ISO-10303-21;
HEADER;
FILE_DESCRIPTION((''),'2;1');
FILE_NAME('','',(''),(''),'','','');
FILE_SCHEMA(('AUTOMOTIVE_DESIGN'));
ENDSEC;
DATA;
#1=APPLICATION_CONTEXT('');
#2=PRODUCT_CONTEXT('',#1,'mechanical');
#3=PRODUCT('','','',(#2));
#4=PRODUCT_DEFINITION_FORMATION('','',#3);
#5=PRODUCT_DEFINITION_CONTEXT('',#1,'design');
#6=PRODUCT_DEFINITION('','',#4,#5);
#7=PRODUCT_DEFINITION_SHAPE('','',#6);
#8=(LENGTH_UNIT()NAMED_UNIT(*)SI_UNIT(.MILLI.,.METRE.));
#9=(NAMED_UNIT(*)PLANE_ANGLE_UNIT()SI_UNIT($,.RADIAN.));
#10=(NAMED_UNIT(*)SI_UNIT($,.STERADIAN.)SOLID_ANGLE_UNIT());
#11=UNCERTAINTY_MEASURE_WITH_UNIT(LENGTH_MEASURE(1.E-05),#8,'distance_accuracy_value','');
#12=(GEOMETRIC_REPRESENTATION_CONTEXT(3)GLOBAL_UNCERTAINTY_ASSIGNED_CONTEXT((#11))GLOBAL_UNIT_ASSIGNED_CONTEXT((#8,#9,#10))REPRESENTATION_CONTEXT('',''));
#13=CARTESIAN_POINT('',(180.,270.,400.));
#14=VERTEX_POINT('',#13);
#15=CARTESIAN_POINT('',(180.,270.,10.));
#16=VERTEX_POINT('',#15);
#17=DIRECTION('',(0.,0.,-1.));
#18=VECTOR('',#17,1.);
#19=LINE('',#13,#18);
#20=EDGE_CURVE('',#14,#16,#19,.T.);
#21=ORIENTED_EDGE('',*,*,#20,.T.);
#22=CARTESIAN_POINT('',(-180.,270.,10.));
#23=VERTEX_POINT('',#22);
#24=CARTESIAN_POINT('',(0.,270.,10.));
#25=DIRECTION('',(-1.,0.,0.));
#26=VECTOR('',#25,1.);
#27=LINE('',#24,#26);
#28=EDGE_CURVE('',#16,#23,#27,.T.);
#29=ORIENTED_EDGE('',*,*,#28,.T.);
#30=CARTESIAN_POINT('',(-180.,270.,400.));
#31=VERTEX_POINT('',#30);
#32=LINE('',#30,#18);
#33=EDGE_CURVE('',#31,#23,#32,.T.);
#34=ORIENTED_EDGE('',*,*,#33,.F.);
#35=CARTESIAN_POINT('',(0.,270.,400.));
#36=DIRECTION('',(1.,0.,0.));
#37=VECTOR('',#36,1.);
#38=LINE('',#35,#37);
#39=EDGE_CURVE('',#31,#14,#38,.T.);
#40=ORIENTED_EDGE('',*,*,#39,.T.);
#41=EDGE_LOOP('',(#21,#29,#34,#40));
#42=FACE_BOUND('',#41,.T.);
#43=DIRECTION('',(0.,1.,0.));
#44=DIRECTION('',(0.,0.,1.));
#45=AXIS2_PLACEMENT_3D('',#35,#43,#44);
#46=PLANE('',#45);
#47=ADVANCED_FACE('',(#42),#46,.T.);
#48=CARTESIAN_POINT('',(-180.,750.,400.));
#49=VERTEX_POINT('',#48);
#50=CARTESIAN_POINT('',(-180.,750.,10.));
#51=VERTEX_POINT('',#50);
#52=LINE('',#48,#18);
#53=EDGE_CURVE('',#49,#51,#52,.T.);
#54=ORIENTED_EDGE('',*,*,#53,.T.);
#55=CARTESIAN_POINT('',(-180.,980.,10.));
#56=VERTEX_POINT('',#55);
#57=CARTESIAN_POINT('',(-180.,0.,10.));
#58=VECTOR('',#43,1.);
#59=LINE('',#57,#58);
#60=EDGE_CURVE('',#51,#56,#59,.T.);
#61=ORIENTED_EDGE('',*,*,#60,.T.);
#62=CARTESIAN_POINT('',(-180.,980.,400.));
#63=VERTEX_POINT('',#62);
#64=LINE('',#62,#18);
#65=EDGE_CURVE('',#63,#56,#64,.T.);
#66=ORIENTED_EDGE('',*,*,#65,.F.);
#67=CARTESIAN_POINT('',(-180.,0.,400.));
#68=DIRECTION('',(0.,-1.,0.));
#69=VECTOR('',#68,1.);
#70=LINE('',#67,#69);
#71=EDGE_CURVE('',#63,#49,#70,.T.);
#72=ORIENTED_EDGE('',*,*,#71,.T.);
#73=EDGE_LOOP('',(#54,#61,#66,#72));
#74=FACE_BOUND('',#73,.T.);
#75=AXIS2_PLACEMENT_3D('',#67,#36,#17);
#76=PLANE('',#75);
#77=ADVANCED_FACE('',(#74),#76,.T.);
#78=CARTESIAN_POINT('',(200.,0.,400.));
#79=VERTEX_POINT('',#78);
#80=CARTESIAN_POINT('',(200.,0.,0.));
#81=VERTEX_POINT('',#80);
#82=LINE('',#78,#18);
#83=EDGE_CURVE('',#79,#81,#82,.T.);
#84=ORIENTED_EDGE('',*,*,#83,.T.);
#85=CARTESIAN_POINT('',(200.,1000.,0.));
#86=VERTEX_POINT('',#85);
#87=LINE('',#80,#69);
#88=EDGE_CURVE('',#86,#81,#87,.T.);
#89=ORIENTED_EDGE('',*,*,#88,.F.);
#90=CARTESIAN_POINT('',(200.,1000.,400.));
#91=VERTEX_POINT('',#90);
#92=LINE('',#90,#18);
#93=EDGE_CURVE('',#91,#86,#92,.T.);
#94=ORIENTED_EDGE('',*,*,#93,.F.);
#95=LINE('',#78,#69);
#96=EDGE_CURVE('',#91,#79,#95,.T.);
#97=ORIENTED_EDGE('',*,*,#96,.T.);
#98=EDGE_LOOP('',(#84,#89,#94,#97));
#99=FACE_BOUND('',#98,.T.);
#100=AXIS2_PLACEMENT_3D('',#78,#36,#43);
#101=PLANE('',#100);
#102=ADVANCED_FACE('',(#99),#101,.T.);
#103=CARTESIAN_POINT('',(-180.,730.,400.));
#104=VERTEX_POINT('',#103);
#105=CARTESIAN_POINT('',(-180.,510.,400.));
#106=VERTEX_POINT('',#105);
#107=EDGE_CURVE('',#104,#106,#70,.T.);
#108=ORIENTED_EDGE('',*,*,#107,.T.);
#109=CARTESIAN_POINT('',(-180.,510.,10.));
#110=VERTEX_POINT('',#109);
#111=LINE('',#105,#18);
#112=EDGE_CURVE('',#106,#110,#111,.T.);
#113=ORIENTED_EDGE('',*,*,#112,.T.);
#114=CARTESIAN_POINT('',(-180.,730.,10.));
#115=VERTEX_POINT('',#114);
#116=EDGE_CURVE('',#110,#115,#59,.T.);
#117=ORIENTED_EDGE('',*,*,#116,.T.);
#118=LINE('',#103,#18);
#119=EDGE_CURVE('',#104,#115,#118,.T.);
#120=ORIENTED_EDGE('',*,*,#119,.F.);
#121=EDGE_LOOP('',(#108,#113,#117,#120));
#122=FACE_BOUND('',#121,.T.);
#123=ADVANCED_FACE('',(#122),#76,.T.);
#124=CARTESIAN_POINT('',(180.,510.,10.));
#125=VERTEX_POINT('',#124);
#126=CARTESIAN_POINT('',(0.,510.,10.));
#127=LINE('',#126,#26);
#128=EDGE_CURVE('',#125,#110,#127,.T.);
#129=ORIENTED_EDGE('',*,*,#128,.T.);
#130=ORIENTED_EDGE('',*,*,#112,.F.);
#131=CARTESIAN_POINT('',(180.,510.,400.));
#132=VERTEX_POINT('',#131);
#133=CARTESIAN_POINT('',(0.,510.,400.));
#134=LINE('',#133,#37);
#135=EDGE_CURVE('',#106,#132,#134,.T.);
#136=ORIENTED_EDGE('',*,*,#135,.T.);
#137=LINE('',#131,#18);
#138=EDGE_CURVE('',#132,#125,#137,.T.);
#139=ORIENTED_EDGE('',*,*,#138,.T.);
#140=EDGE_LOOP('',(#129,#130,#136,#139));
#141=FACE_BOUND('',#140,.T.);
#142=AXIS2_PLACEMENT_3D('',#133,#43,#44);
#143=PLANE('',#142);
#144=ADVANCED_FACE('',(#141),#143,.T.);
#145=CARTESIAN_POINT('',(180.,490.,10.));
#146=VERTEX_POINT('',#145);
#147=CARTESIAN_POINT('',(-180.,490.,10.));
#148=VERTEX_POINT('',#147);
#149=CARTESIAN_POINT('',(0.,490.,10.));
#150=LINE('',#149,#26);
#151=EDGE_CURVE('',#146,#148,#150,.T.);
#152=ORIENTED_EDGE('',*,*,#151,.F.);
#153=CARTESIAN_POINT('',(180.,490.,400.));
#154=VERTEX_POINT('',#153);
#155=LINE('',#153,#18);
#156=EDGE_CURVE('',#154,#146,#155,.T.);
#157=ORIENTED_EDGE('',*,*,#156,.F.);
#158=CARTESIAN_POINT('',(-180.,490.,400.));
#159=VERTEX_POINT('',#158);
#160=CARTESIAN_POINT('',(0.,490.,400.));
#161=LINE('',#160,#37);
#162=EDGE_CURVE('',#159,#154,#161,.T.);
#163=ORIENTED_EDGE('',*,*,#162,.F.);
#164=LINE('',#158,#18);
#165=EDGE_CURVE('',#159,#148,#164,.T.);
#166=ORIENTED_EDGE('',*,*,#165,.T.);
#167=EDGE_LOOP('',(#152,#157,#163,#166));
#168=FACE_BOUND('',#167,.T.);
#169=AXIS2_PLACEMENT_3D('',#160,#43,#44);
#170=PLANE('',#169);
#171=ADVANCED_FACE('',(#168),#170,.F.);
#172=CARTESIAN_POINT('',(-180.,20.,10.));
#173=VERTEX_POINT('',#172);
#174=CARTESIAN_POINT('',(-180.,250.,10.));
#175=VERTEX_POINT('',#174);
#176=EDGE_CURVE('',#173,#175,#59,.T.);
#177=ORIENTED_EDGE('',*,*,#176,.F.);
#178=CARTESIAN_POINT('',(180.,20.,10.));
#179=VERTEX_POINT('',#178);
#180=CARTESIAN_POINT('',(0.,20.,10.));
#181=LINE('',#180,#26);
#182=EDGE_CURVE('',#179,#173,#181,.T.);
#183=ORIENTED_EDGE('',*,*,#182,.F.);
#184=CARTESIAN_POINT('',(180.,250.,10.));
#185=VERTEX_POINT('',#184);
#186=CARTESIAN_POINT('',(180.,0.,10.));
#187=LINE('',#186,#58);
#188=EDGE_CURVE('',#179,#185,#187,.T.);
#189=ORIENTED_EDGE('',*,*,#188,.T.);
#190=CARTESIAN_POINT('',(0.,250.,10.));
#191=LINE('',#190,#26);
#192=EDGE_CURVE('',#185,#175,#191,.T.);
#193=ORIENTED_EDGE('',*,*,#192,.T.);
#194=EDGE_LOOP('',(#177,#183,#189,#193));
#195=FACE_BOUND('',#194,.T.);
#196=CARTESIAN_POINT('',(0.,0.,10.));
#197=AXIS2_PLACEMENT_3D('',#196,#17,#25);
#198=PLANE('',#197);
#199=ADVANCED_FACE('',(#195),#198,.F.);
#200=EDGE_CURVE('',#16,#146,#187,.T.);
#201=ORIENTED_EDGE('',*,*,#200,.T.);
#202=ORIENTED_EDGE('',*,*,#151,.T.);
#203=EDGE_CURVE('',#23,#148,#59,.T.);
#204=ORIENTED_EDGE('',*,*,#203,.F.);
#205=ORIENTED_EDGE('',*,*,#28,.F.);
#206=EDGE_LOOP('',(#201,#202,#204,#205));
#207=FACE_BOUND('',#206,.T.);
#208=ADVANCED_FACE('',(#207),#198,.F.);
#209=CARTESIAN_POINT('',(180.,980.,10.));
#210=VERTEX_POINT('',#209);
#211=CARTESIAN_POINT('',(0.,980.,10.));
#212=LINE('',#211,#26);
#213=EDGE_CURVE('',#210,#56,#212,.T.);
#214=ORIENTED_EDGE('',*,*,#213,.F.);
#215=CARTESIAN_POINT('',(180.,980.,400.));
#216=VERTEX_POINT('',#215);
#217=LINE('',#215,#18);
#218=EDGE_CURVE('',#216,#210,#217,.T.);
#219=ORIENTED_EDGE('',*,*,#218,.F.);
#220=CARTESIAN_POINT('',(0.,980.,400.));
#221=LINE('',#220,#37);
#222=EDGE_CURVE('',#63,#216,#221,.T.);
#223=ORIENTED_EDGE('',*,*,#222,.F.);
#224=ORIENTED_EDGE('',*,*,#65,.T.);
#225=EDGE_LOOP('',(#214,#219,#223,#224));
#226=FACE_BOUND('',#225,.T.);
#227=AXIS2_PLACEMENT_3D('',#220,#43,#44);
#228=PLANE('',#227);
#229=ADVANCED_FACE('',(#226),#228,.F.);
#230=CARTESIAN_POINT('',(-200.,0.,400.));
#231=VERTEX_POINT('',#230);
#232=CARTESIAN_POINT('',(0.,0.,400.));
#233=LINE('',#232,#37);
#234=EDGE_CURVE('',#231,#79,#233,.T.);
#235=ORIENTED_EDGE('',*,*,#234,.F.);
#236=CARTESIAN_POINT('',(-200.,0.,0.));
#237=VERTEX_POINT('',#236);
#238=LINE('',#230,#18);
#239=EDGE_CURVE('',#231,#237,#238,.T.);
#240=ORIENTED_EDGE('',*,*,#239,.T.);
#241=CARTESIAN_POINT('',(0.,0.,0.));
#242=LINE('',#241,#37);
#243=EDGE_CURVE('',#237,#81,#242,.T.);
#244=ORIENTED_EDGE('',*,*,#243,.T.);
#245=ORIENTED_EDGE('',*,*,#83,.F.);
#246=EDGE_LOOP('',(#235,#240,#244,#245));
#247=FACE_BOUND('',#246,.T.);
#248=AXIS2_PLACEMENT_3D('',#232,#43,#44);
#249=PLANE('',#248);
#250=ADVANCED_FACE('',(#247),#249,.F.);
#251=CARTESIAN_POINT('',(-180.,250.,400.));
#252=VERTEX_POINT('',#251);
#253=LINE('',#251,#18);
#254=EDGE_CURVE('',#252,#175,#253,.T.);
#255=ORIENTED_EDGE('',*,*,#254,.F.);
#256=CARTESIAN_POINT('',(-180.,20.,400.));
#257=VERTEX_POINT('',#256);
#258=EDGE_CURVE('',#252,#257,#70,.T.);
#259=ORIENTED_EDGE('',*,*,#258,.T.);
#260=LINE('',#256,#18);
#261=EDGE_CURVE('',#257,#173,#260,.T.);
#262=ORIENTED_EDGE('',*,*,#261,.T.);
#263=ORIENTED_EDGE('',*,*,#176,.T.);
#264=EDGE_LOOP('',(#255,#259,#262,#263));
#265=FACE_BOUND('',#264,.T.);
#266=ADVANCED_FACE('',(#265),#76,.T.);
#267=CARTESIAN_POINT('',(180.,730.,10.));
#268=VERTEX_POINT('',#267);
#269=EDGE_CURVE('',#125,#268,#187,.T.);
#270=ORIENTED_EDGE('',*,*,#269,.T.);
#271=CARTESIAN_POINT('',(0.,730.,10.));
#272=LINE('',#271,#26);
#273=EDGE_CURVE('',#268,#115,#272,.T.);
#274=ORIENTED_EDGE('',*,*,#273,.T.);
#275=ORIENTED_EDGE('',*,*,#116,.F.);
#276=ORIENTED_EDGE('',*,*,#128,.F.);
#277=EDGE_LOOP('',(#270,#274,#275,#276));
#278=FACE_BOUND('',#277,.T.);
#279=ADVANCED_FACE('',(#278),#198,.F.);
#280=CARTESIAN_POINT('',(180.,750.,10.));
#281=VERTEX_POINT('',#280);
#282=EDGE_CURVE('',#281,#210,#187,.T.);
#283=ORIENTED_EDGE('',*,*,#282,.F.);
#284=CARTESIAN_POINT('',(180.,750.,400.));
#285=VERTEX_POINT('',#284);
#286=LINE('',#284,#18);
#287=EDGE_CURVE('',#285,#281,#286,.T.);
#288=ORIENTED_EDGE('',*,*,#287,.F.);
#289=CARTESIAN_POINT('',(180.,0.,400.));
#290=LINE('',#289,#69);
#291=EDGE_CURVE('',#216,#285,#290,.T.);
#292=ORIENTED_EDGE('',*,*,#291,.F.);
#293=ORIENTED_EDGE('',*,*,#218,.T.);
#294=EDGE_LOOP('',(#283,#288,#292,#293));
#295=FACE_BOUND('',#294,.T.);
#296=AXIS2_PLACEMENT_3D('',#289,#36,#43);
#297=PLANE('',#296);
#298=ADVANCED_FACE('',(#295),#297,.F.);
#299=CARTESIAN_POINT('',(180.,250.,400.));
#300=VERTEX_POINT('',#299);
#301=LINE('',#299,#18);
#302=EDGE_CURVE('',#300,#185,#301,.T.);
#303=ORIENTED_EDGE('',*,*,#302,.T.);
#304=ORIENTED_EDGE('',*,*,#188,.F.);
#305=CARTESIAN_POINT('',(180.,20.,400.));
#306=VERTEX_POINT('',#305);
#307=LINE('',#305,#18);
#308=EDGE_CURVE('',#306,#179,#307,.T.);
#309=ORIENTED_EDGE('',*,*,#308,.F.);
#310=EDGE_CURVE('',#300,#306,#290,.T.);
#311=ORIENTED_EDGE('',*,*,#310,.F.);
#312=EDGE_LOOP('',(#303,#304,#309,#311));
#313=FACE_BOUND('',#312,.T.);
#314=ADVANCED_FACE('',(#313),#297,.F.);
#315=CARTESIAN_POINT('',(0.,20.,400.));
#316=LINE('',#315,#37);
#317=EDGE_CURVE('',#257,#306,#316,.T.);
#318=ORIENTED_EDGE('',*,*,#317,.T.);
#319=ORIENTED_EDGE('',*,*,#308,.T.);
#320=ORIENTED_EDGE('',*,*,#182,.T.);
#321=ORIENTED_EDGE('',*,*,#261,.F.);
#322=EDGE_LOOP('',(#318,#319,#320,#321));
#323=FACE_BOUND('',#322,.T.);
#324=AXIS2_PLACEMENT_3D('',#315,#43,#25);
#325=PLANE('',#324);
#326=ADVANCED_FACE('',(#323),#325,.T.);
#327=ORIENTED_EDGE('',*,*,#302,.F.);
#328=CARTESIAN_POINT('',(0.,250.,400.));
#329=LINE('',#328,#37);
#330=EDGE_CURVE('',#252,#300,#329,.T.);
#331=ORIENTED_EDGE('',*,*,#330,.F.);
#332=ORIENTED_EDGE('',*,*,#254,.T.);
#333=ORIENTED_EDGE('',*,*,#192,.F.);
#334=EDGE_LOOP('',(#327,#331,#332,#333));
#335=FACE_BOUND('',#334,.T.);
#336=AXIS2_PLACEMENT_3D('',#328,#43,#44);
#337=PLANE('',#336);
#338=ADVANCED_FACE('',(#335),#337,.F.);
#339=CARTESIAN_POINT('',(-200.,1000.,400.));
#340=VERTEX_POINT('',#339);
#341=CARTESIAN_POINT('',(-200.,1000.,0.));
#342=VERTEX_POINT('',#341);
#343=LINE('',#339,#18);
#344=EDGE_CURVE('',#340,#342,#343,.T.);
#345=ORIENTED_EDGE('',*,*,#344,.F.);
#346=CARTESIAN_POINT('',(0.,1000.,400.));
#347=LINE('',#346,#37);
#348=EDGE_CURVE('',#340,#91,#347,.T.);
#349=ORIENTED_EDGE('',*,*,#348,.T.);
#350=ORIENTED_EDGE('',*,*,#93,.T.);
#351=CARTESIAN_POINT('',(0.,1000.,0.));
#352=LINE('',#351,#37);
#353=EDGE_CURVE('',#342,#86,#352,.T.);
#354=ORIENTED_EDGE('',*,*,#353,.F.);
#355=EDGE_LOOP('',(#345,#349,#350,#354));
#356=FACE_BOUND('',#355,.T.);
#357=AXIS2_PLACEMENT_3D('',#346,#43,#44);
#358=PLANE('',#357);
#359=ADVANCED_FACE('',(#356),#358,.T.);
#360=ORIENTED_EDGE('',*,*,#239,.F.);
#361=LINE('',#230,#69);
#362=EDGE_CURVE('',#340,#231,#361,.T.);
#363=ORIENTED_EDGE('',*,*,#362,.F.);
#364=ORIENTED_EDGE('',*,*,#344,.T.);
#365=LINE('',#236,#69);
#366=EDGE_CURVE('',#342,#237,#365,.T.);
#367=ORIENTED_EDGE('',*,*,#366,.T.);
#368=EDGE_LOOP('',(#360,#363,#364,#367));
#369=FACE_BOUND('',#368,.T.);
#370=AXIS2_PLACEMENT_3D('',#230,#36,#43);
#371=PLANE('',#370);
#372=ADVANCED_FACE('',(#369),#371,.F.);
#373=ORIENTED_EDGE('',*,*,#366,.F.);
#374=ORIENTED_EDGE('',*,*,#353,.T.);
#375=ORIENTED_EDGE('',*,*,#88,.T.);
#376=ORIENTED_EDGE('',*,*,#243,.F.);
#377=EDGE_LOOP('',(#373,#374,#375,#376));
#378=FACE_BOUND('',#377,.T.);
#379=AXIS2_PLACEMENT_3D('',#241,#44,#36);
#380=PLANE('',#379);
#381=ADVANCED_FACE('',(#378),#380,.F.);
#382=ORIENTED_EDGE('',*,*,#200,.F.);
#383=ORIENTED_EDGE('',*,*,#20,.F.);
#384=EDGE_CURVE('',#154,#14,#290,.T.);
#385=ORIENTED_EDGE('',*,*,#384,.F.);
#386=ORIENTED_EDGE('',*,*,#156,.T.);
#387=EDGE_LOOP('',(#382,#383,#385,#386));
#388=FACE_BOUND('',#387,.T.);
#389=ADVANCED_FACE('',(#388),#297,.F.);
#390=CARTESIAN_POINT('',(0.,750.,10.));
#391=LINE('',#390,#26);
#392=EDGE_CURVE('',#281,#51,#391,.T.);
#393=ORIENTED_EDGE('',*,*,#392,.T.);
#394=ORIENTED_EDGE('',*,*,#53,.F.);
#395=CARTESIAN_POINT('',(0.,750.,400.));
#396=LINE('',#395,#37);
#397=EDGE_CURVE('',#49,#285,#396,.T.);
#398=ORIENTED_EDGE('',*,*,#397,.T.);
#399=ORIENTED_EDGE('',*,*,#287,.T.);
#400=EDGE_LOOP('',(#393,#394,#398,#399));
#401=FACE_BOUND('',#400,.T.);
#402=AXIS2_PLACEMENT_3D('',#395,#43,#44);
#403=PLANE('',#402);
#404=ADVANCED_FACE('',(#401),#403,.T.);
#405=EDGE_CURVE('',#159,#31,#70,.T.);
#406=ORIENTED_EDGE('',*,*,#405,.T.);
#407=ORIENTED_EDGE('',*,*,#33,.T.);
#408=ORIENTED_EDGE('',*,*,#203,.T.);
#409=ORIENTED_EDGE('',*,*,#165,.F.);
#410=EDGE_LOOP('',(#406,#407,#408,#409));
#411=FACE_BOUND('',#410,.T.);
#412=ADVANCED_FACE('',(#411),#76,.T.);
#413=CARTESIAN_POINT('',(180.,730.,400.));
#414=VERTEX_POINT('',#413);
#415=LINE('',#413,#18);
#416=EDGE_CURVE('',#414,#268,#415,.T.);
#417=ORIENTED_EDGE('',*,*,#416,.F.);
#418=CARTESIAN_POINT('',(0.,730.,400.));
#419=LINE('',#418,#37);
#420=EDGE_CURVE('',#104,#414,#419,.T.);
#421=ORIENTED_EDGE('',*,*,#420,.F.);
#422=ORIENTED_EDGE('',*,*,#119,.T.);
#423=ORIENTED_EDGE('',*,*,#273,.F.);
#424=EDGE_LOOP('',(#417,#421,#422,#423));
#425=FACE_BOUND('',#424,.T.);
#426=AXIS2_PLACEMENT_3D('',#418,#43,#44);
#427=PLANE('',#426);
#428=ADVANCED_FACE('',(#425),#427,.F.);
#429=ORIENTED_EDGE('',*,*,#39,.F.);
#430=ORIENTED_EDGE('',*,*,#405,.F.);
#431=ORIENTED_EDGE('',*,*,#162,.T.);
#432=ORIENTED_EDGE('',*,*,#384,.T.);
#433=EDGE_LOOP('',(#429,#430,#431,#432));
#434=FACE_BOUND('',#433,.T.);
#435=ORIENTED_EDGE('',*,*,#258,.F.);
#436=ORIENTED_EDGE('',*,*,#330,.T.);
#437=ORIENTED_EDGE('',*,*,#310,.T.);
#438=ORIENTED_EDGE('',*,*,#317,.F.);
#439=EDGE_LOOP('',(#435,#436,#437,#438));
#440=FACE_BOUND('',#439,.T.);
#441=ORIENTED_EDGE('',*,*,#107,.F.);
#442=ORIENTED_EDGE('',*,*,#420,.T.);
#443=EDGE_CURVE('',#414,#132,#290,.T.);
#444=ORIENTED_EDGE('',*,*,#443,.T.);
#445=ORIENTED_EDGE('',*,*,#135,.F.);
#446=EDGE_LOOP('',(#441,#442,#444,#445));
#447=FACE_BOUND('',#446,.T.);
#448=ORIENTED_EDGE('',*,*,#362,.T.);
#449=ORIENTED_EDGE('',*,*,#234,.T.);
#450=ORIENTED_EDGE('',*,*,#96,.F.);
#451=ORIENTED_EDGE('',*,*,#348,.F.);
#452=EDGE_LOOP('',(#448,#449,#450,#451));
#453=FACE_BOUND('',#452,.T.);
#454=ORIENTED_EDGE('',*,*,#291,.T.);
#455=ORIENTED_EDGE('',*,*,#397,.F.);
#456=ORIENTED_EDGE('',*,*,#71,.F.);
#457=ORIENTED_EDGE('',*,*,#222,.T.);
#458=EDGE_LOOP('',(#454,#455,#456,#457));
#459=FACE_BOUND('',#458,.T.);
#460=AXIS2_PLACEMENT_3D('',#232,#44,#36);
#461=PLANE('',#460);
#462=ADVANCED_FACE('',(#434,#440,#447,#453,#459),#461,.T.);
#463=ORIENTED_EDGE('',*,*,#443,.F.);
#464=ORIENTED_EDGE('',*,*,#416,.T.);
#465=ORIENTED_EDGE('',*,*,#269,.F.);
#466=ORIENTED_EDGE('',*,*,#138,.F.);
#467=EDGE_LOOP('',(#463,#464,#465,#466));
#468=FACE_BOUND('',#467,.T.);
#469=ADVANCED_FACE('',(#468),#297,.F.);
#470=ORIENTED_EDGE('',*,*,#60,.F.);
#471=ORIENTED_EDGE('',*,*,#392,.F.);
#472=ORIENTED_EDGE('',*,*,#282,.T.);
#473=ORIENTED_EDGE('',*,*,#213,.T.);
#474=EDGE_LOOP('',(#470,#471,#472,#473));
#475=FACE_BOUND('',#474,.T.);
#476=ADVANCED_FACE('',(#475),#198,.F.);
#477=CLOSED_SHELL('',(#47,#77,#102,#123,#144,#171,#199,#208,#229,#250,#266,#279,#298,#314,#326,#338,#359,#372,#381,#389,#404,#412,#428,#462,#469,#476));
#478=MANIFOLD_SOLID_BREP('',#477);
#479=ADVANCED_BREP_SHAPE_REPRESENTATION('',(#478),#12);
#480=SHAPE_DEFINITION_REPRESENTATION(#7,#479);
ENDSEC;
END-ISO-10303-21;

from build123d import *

# Parameters (mm, degrees)
SKETCH1_W           = 400
SKETCH1_H           = 1000
SKETCH1_W_2         = 360
SKETCH1_H_2         = 960
SKETCH1_H_3         = 20
BOSS_EXTRUDE1_DEPTH = 400
SKETCH2_W           = 400
SKETCH2_H           = 1000
BOSS_EXTRUDE2_DEPTH = 10


with BuildPart() as part:
    # Sketch1 → Boss-Extrude1 (new body)
    # profile 1 of 4: a face of its own
    with BuildSketch(Plane.XY):
        with Locations((0, 500)):
            Rectangle(SKETCH1_W, SKETCH1_H)
        with Locations((0, 500)):
            Rectangle(SKETCH1_W_2, SKETCH1_H_2, mode=Mode.SUBTRACT)
    # profile 2 of 4: a face of its own
    with BuildSketch(Plane.XY):
        with Locations((0, 740)):
            Rectangle(SKETCH1_W_2, SKETCH1_H_3)
    # profile 3 of 4: a face of its own
    with BuildSketch(Plane.XY):
        with Locations((0, 500)):
            Rectangle(SKETCH1_W_2, SKETCH1_H_3)
    # profile 4 of 4: a face of its own
    with BuildSketch(Plane.XY):
        with Locations((0, 260)):
            Rectangle(SKETCH1_W_2, SKETCH1_H_3)
    extrude(amount=BOSS_EXTRUDE1_DEPTH)

    # Sketch2 → Boss-Extrude2 (add)
    with BuildSketch(Plane(origin=(0, 0, 0), x_dir=(-1, 0, 0), z_dir=(0, 0, -1))):
        with Locations((0, 500)):
            Rectangle(SKETCH2_W, SKETCH2_H)
    extrude(amount=-BOSS_EXTRUDE2_DEPTH)


solid = part.part
